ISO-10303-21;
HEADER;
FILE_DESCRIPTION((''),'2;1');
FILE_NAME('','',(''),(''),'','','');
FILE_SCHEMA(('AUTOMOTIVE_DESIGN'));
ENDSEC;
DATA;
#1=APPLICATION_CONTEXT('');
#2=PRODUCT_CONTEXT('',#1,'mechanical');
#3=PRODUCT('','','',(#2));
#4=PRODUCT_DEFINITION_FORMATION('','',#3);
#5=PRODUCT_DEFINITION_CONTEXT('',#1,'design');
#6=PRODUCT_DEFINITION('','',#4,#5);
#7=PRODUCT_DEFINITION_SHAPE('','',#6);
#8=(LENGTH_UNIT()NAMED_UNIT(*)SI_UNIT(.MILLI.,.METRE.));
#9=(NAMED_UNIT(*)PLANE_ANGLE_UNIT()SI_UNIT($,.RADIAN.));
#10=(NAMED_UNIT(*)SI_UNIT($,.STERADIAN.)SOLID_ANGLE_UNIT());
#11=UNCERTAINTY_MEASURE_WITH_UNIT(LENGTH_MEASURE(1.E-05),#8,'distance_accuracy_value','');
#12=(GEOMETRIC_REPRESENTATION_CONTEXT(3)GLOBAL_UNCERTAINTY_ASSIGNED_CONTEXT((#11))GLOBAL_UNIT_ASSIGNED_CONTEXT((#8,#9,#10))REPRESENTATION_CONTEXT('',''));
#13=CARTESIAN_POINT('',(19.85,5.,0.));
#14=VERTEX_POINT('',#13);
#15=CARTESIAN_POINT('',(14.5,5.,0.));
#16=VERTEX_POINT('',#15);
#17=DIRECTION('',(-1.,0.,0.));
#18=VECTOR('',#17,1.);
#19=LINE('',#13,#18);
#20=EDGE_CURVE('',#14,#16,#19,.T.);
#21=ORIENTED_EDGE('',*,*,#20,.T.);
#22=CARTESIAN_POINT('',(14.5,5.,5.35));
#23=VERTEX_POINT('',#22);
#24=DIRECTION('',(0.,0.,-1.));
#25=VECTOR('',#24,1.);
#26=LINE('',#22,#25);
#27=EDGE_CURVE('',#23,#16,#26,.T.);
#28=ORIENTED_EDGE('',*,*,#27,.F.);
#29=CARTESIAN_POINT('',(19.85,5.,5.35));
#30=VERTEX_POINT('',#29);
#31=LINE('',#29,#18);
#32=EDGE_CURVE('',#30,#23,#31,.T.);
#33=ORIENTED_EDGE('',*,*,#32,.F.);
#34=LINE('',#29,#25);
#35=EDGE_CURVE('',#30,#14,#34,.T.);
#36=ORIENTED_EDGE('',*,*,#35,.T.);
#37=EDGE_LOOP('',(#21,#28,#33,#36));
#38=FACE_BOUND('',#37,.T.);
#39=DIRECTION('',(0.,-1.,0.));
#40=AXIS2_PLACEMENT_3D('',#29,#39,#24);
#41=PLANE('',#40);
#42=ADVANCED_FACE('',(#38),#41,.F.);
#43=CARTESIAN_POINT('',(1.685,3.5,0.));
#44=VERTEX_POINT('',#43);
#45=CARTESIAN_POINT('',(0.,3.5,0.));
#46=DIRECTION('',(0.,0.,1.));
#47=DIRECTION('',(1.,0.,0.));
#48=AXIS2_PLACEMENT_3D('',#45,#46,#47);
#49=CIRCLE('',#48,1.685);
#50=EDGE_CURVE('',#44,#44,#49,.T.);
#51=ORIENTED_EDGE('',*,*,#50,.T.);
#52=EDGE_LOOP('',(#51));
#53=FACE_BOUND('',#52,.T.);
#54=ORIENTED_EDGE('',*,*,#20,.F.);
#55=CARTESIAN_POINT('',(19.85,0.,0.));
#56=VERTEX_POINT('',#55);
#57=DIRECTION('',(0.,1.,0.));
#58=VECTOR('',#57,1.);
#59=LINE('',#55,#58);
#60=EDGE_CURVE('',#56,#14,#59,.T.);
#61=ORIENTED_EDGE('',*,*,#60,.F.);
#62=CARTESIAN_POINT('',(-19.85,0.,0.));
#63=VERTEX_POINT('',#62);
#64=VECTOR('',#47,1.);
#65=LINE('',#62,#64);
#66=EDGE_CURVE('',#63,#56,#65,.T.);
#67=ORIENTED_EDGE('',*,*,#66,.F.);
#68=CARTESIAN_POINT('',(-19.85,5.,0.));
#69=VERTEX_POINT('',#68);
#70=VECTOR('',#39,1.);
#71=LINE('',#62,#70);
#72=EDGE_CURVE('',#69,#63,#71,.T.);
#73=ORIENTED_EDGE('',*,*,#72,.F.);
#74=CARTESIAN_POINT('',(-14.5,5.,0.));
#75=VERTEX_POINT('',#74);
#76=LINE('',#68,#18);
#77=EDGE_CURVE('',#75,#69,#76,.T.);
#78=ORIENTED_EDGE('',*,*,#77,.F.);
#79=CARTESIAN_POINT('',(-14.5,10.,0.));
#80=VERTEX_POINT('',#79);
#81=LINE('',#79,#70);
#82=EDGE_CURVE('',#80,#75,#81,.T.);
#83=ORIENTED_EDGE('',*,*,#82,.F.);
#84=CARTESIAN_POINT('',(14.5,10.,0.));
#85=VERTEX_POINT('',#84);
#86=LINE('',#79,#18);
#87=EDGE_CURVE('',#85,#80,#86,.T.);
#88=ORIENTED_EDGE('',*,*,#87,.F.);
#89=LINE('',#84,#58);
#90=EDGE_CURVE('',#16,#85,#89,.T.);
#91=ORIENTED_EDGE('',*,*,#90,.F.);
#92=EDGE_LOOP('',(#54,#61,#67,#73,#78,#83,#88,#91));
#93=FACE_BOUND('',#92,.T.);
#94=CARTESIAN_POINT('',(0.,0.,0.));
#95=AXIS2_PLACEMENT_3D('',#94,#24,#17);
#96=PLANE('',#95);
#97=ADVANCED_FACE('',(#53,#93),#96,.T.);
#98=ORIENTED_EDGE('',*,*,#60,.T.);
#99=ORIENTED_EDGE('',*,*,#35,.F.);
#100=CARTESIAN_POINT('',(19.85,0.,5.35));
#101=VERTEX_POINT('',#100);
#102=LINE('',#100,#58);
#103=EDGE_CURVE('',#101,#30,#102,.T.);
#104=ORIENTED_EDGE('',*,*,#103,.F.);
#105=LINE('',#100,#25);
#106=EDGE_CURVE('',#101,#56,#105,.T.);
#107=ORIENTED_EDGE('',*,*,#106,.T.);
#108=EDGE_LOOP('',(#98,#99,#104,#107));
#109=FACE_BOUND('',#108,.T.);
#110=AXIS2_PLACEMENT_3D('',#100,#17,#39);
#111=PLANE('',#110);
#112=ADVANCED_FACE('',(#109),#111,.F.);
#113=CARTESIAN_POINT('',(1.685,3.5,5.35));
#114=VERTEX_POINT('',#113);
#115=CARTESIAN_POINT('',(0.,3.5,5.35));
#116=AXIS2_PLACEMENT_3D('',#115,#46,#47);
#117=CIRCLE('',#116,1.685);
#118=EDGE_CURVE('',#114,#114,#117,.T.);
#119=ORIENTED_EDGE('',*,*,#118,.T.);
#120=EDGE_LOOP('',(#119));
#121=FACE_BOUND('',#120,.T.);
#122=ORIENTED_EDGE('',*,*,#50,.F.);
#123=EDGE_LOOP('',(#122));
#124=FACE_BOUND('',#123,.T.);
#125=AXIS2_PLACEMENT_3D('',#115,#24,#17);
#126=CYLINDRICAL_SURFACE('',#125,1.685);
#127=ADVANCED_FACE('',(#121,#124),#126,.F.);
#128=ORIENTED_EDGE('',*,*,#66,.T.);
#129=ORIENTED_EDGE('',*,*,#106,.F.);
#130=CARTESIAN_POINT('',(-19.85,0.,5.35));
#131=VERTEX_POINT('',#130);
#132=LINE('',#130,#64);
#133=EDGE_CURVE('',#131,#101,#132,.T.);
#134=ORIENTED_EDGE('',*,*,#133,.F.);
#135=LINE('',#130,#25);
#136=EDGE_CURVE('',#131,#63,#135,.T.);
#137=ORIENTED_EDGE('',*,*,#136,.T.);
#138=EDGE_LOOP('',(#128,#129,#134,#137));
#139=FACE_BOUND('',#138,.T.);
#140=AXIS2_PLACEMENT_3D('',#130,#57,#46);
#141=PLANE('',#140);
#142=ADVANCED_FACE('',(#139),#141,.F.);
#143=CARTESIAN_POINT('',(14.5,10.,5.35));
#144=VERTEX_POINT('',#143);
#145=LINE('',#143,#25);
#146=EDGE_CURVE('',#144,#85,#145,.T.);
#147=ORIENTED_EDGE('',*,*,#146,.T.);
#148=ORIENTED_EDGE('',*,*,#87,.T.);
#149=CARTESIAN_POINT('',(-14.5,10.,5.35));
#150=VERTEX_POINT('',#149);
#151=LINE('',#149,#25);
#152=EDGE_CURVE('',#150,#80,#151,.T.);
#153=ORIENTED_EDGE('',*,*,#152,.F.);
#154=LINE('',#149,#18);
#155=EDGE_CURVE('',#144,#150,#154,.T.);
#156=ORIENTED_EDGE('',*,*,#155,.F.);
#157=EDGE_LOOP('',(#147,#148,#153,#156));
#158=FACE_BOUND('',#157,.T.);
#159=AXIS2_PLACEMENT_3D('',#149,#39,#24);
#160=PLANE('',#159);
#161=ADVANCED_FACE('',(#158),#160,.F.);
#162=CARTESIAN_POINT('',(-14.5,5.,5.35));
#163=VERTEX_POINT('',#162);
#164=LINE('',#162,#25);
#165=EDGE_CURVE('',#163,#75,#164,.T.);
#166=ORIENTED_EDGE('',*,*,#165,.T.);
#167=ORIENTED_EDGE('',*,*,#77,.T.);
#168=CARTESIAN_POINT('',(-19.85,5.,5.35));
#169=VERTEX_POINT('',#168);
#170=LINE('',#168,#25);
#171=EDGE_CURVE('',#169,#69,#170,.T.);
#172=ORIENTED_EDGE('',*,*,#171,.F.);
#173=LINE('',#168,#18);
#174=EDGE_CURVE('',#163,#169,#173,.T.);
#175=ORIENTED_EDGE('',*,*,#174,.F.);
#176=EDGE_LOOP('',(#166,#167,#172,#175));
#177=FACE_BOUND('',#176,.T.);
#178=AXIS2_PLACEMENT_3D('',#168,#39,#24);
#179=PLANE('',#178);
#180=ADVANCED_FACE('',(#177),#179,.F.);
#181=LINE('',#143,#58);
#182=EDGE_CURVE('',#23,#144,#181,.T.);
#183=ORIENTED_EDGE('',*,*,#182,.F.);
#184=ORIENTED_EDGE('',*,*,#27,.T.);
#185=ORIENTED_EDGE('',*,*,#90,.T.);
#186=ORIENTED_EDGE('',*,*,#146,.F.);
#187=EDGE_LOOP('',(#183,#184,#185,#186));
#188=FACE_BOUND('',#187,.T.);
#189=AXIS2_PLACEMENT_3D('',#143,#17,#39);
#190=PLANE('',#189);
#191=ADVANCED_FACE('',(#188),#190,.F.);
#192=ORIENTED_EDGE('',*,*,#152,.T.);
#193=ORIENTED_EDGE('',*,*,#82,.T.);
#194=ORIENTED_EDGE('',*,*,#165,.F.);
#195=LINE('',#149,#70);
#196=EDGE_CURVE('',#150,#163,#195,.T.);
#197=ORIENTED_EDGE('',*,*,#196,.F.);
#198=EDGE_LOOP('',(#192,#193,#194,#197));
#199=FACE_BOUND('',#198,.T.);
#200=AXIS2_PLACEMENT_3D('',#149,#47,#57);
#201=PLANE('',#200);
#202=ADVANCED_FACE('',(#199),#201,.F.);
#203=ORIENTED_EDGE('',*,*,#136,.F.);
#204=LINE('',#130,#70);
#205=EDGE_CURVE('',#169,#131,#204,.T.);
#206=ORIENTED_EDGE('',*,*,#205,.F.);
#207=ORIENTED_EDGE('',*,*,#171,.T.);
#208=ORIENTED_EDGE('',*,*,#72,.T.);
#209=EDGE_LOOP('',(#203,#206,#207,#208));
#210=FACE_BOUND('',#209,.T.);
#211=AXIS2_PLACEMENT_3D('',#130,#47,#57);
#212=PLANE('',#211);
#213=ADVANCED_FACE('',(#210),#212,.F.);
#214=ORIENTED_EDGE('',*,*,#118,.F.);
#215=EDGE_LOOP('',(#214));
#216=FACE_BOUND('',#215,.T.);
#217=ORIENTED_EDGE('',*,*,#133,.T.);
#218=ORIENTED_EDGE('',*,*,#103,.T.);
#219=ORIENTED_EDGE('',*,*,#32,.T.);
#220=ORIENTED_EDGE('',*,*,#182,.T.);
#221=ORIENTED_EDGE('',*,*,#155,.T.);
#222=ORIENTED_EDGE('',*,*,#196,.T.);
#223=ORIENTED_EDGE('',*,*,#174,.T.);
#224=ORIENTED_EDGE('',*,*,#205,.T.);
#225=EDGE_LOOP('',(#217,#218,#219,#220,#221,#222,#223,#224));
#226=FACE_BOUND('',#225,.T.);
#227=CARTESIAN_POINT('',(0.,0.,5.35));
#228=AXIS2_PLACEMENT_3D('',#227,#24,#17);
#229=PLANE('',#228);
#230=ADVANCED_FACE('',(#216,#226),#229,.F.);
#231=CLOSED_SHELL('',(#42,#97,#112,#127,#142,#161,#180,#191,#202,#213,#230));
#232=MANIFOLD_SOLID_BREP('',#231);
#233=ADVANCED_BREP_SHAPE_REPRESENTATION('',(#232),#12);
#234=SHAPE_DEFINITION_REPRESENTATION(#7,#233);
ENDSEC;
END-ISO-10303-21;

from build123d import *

# Parameters (mm, degrees)
MODEL_R             = 1.685
BOSS_EXTRUDE1_DEPTH = 5.35


with BuildPart() as part:
    # Model → Boss-Extrude1 (new body)
    with BuildSketch(Plane.XY):
        Polygon((-19.85, 0), (19.85, 0), (19.85, 5), (14.5, 5), (14.5, 10), (-14.5, 10), (-14.5, 5), (-19.85, 5), align=None)
        with Locations((0, 3.5)):
            Circle(MODEL_R, mode=Mode.SUBTRACT)
    extrude(amount=BOSS_EXTRUDE1_DEPTH)


solid = part.part
